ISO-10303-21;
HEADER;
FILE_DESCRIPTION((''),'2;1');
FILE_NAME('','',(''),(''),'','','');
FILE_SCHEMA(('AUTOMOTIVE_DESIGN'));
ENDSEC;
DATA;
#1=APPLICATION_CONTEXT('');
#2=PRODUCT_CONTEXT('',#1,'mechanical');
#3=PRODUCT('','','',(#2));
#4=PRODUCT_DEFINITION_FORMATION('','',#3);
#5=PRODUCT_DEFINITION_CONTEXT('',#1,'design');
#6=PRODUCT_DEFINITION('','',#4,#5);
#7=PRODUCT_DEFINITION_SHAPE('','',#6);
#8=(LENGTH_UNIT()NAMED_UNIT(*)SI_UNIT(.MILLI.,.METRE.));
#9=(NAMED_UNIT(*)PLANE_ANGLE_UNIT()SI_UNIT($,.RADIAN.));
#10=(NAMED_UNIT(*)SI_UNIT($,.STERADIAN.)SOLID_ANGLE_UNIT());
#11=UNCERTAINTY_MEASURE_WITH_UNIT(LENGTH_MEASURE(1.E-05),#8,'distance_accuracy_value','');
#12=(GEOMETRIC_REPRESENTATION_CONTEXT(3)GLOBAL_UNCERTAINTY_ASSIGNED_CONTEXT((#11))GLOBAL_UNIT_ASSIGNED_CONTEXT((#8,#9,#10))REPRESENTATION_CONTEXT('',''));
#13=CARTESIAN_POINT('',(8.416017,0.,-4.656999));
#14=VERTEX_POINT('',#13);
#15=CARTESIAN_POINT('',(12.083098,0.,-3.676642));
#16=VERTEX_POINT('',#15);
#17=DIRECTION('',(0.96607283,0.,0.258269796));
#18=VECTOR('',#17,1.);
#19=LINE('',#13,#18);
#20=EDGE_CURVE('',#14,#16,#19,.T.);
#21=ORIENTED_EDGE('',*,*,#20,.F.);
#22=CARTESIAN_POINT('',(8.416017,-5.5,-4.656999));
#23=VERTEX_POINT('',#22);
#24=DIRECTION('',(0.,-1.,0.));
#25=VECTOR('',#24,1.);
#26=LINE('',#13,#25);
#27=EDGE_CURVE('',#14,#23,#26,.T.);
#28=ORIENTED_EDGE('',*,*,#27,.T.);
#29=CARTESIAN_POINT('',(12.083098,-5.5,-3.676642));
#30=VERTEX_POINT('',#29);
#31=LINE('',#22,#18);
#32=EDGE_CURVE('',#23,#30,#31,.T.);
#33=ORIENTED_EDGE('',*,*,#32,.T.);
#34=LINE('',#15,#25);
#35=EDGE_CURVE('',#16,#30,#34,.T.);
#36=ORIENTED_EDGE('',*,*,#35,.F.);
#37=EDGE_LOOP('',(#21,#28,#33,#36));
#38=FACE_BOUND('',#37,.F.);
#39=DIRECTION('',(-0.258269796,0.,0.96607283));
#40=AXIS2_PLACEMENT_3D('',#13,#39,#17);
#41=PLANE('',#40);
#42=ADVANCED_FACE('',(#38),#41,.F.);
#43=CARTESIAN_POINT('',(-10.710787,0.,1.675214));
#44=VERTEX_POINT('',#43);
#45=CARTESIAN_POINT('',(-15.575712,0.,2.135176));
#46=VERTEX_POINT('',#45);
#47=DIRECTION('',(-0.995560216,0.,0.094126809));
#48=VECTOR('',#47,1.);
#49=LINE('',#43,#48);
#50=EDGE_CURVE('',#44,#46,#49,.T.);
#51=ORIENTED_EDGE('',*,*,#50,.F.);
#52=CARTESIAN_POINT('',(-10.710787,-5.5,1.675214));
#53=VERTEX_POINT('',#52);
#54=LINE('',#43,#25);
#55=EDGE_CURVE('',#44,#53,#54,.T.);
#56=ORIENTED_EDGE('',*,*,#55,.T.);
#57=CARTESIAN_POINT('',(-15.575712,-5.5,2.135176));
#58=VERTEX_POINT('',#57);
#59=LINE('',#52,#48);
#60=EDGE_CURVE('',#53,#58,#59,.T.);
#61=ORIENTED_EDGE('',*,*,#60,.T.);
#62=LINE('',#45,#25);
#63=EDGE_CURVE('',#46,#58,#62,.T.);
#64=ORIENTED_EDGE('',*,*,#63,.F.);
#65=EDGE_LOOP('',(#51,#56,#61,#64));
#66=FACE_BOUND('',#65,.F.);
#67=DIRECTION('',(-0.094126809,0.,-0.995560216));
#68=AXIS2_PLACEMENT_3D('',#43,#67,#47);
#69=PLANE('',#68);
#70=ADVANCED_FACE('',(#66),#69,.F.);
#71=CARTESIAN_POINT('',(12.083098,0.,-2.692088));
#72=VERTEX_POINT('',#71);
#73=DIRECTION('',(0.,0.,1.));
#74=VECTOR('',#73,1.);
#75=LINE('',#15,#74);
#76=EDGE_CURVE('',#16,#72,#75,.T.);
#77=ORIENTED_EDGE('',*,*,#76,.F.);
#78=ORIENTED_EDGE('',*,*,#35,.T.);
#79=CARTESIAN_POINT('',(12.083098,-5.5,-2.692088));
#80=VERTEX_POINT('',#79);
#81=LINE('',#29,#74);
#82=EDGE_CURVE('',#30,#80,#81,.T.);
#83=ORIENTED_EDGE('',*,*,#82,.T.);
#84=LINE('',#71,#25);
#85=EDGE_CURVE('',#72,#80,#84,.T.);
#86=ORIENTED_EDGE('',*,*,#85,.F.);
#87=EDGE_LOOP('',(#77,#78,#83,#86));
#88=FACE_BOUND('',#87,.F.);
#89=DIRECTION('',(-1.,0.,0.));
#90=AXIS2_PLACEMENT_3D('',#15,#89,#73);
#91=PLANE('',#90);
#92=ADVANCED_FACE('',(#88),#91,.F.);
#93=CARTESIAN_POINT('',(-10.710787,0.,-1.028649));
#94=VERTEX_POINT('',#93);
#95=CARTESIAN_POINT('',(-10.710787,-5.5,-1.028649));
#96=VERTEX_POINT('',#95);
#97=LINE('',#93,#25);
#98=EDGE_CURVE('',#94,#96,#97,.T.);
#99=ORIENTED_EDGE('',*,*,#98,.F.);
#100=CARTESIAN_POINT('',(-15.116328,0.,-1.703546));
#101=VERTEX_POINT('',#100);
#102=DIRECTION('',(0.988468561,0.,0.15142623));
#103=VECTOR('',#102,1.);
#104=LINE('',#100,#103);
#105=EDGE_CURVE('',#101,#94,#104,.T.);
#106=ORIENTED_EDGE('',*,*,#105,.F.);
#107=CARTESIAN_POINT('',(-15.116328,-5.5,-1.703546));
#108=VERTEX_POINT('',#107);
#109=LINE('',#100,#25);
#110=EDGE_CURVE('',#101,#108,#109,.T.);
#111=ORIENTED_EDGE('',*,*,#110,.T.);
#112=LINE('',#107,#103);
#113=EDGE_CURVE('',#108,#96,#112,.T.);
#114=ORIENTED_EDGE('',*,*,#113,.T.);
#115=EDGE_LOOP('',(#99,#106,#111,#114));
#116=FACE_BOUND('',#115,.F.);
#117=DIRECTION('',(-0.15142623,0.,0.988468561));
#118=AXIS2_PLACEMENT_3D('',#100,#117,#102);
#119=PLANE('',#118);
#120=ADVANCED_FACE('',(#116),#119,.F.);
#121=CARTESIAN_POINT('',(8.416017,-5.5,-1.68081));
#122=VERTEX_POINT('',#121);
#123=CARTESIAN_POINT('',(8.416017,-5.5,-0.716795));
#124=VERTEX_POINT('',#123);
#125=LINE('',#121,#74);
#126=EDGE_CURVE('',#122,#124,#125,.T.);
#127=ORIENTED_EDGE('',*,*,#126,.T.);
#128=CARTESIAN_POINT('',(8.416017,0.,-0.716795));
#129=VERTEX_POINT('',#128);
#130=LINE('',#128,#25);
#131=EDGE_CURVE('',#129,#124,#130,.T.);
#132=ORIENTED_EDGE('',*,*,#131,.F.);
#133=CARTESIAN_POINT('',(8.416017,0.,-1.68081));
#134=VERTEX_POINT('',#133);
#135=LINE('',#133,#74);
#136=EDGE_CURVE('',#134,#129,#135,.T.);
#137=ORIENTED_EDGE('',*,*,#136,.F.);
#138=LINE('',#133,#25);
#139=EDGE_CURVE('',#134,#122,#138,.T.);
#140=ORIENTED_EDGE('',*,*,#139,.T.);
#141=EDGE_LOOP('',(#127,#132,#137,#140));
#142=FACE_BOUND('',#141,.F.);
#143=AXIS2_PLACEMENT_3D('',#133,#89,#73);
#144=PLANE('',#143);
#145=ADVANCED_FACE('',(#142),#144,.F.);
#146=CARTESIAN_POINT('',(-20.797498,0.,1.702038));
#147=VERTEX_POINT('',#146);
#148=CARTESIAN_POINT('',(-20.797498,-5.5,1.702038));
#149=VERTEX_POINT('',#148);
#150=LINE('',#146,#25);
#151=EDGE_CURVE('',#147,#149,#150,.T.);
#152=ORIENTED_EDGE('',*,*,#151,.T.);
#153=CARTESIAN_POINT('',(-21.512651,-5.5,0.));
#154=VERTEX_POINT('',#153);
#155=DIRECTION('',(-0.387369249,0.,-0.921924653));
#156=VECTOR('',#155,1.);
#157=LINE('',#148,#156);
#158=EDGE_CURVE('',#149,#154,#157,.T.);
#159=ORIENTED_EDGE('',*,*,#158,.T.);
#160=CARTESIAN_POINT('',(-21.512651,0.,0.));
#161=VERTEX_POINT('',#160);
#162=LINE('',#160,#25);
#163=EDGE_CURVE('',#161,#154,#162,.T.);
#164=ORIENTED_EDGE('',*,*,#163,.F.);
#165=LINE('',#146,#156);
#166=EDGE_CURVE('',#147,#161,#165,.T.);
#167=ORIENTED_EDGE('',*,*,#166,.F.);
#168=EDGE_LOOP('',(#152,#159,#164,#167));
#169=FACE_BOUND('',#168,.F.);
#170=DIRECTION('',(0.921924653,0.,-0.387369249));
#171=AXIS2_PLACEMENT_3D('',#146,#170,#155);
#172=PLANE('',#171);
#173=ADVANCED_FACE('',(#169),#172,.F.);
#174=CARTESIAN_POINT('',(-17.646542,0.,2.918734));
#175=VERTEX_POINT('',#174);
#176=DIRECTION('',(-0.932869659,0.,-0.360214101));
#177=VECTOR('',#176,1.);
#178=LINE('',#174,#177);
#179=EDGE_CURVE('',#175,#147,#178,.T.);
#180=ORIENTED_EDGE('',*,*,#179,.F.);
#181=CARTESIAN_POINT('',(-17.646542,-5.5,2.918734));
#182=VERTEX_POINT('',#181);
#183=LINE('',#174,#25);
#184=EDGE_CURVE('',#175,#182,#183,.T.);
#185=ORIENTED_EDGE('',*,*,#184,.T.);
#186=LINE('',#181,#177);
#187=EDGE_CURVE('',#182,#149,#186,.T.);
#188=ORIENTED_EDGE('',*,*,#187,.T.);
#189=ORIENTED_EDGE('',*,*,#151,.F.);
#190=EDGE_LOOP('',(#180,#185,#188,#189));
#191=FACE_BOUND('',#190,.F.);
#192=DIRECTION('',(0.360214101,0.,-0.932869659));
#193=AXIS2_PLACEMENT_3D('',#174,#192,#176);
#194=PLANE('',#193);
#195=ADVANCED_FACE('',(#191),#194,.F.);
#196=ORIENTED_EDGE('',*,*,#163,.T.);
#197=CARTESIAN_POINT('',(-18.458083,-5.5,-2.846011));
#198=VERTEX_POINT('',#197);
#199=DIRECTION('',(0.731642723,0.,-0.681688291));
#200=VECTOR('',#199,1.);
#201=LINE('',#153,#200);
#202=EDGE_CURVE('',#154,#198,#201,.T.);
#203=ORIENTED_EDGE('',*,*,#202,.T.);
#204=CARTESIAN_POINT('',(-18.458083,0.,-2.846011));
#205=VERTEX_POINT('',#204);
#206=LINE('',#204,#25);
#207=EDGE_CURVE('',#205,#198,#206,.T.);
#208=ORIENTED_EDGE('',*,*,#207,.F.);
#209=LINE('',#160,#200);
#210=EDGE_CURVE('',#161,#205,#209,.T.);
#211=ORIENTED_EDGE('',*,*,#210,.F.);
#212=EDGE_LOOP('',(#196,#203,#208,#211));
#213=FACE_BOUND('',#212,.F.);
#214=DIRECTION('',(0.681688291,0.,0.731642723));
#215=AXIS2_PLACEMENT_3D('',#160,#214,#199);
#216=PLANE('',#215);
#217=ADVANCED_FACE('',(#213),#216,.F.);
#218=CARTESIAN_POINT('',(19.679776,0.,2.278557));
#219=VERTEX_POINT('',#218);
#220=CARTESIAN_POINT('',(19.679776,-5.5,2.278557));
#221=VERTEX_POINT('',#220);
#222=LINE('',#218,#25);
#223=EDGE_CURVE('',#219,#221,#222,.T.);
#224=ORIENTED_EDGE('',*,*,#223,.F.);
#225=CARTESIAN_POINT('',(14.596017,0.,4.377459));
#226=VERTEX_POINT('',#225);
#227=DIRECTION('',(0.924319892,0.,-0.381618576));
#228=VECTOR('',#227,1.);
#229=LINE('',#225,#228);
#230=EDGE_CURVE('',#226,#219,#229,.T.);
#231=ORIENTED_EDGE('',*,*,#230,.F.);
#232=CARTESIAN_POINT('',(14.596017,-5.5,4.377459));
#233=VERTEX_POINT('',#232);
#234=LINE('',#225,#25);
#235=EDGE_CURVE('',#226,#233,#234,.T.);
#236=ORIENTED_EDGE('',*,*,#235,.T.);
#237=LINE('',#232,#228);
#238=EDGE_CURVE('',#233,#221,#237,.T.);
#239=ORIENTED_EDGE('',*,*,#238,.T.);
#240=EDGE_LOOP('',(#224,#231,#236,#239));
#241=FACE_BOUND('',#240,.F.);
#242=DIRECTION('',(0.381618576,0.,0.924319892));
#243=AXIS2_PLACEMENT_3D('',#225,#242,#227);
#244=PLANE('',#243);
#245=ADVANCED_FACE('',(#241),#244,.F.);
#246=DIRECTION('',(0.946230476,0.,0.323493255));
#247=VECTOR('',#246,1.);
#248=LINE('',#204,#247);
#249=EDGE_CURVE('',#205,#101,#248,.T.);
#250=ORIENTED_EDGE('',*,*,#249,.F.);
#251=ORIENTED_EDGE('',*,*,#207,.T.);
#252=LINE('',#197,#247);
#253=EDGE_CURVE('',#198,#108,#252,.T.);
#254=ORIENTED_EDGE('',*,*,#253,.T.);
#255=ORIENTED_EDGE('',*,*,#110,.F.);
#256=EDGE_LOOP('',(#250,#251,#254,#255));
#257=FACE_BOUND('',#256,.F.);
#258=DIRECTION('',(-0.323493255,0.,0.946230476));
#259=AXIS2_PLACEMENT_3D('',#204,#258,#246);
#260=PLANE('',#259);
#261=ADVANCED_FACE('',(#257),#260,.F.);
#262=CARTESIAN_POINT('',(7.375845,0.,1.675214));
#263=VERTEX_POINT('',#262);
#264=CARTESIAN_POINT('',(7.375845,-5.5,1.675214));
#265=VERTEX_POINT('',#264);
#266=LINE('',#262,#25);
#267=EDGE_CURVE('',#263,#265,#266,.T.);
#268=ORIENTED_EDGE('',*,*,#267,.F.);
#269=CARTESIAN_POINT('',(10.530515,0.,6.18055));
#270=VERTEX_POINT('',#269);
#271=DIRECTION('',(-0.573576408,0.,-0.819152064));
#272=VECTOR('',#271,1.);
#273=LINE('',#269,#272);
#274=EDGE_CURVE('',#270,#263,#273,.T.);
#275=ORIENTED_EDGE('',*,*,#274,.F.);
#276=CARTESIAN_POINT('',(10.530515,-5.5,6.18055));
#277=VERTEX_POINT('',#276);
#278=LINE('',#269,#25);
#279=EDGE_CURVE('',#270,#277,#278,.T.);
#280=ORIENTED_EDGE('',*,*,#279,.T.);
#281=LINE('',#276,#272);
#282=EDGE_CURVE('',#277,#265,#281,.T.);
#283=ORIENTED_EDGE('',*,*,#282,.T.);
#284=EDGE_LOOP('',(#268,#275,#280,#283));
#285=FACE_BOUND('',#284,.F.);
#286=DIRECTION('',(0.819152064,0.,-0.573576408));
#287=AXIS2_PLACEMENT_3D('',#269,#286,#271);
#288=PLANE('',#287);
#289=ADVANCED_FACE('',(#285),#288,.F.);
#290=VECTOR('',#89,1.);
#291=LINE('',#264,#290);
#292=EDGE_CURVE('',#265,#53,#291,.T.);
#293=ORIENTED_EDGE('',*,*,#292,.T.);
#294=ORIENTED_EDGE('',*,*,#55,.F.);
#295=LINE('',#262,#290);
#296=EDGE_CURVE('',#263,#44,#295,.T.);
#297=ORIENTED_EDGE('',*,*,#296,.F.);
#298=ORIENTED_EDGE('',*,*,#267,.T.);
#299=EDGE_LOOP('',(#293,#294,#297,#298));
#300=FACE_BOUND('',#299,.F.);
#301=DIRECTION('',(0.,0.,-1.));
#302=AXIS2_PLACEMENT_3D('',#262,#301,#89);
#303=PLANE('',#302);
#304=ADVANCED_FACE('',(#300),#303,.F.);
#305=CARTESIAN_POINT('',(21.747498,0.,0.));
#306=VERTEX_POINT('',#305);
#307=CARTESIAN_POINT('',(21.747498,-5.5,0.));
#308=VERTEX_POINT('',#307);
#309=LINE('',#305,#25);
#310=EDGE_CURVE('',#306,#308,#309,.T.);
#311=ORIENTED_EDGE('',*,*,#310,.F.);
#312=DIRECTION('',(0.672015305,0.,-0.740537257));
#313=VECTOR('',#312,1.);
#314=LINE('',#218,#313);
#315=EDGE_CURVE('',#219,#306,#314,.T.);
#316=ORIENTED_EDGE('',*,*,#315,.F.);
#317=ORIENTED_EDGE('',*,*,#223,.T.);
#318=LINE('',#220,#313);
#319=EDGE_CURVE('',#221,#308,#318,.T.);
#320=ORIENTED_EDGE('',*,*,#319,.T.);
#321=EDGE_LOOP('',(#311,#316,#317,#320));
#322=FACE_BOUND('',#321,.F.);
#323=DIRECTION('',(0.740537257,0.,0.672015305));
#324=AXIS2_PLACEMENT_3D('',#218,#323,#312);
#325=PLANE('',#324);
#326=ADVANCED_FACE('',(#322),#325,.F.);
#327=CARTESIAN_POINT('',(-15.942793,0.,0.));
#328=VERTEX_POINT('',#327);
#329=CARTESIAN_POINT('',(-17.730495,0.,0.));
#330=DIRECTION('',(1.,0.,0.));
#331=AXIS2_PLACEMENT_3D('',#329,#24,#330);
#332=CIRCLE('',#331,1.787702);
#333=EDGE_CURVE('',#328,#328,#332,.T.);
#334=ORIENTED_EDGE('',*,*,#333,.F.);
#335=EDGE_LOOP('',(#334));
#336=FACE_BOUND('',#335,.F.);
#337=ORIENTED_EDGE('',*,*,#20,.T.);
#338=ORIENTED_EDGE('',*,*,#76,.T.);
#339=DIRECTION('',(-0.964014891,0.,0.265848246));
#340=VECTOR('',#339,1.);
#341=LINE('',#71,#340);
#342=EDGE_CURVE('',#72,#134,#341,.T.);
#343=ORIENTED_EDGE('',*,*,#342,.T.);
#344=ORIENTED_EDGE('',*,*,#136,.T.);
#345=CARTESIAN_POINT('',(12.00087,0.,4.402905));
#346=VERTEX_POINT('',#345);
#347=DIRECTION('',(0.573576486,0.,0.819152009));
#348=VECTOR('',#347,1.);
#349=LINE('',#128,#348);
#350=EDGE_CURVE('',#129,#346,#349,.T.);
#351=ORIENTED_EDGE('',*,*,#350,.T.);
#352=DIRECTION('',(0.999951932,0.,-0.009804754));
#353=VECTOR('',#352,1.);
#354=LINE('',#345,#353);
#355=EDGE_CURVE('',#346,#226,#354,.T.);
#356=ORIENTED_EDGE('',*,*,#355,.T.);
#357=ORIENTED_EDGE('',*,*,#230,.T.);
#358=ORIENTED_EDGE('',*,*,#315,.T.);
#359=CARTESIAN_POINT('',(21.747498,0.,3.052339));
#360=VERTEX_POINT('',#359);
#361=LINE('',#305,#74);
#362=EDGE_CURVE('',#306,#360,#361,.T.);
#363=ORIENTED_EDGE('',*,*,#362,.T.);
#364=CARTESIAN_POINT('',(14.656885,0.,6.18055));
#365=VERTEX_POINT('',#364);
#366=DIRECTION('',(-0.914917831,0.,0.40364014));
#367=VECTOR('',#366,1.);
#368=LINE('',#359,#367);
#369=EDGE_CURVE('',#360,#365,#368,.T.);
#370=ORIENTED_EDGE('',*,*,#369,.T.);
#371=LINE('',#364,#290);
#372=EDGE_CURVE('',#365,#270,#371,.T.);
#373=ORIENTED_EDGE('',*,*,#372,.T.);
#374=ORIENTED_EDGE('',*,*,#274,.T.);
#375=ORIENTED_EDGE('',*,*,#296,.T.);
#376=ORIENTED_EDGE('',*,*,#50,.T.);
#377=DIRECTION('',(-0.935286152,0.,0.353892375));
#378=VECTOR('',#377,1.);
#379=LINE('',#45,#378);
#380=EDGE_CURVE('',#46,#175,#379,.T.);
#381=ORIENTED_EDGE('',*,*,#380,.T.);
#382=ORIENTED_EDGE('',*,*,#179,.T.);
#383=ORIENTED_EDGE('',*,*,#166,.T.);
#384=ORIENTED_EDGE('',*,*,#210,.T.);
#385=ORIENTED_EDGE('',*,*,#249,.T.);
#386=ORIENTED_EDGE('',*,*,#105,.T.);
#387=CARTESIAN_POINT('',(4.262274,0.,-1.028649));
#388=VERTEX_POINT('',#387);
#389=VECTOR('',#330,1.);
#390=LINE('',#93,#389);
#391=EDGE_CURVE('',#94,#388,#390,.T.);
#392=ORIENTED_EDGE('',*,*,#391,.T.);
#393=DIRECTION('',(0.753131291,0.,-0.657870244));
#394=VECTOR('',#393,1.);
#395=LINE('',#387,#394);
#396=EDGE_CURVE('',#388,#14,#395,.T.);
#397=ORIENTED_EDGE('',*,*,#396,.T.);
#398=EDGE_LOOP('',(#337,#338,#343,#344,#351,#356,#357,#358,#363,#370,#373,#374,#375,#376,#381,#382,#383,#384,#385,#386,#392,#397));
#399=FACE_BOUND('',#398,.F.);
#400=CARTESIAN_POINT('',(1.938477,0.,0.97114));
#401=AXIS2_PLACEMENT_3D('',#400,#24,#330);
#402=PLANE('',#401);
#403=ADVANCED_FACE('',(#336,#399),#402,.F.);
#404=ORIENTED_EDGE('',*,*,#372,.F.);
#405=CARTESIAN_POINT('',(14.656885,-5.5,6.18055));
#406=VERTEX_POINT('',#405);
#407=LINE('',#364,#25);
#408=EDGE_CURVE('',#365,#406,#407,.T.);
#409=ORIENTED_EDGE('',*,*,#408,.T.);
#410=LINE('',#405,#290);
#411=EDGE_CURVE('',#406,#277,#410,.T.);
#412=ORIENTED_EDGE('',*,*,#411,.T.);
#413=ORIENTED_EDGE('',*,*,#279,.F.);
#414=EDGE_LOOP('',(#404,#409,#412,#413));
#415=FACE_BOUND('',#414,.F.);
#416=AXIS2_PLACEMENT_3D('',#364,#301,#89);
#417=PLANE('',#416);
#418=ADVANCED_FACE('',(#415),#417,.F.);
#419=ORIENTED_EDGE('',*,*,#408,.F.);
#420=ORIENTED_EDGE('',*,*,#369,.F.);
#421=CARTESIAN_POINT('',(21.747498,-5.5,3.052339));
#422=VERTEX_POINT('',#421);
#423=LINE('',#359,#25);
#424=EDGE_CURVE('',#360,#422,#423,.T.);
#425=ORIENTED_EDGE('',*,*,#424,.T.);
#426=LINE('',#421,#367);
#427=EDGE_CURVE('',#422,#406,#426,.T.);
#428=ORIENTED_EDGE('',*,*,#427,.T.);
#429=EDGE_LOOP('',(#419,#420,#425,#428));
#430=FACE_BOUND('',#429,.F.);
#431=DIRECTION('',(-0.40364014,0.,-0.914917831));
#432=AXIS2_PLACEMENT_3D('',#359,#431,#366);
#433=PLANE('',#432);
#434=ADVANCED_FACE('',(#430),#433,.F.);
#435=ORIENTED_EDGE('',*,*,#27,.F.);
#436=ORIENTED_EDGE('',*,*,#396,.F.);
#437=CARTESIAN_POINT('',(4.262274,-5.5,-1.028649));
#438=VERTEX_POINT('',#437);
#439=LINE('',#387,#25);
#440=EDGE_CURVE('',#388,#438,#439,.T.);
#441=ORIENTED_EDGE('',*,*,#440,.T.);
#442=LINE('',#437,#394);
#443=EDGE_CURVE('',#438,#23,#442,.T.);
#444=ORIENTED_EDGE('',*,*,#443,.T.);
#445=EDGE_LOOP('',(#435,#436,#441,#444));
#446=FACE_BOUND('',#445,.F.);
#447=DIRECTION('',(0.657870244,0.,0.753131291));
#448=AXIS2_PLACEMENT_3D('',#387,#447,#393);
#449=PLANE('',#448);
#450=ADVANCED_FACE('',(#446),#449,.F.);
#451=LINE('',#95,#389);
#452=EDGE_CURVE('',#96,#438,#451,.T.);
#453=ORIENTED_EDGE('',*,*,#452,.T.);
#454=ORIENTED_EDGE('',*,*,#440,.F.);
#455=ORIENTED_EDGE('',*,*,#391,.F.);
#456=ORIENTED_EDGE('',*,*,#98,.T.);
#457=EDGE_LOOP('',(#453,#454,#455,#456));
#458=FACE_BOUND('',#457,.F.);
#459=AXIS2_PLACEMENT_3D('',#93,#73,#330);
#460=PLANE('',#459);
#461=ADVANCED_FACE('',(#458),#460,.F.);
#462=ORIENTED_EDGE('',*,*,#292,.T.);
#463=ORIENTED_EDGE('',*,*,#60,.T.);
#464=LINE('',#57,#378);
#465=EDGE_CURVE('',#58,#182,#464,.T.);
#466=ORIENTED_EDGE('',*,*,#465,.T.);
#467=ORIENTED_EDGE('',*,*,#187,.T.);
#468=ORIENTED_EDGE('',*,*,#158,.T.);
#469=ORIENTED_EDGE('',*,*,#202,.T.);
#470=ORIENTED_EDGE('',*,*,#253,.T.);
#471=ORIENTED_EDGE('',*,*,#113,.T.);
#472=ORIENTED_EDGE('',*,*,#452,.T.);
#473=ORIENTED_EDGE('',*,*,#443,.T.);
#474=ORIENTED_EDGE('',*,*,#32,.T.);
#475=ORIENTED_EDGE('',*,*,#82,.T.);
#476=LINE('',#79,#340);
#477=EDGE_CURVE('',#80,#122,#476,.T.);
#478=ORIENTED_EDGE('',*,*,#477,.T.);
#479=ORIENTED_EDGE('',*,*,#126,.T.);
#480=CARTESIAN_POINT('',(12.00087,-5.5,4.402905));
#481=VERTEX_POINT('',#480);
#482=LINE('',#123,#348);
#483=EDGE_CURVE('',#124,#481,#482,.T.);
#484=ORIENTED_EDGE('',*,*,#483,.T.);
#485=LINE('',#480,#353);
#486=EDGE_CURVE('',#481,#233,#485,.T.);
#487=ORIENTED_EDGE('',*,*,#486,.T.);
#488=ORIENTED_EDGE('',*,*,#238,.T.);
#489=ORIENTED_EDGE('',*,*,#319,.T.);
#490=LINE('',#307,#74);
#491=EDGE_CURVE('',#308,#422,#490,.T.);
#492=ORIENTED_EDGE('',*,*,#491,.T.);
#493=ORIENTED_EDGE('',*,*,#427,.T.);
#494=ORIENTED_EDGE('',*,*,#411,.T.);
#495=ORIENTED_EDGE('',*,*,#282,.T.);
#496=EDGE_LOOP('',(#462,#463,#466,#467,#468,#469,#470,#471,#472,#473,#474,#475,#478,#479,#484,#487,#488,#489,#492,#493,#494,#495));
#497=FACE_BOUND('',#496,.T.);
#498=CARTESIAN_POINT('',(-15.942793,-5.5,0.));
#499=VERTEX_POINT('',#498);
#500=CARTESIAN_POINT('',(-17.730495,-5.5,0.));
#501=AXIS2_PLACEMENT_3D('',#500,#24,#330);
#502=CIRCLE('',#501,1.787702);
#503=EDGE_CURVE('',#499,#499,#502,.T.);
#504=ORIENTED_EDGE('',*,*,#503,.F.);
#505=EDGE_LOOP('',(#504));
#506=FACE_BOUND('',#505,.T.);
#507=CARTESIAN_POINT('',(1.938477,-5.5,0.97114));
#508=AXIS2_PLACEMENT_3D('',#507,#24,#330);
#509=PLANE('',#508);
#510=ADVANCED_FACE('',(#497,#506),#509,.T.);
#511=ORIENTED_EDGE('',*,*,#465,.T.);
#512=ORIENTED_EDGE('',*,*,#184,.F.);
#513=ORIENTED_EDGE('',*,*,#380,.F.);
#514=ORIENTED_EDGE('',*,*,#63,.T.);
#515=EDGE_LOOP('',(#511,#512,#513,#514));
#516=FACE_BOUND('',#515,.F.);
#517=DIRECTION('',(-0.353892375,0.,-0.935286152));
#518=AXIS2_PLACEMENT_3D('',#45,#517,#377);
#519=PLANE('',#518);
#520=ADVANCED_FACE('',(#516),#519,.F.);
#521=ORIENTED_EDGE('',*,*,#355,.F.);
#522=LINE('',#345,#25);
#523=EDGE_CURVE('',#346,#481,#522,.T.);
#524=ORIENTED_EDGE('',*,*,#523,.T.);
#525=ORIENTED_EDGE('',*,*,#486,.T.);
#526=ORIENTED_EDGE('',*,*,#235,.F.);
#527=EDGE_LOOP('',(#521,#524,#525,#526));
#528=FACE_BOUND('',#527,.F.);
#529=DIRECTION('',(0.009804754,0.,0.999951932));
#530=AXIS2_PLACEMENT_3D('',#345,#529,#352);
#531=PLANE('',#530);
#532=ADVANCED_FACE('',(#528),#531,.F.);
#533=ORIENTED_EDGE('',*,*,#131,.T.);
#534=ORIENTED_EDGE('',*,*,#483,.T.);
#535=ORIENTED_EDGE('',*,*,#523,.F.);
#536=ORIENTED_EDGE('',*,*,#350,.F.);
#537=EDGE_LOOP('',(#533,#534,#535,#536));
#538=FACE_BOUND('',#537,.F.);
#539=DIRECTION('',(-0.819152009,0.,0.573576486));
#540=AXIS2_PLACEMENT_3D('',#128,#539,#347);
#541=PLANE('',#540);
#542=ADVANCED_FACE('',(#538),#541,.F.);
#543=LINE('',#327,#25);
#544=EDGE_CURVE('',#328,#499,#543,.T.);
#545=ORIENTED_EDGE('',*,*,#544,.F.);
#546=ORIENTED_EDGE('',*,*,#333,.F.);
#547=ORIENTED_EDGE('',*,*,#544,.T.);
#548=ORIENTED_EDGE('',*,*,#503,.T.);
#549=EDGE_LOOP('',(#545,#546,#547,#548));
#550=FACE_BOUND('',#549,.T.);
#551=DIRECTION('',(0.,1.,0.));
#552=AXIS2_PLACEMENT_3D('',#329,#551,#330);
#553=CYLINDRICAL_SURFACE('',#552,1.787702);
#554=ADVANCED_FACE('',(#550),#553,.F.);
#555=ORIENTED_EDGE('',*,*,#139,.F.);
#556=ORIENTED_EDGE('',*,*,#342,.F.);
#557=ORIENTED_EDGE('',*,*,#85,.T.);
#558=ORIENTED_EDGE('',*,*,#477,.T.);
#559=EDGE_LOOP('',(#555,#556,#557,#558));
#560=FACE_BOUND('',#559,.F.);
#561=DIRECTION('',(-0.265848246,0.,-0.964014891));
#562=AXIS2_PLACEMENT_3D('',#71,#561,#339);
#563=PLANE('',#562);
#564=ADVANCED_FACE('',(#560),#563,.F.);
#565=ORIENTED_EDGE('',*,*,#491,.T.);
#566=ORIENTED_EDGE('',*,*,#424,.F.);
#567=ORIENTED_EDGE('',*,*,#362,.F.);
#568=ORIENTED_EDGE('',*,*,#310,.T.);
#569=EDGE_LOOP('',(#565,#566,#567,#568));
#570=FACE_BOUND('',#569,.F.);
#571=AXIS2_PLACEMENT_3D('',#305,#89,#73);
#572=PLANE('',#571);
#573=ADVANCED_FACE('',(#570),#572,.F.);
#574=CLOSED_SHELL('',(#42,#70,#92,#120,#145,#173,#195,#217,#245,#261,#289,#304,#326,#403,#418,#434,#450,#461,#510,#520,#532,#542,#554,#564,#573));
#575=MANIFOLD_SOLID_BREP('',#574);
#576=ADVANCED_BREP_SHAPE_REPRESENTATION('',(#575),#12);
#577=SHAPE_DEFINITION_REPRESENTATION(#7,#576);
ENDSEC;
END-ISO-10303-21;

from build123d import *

# Parameters (mm, degrees)
F0_R     = 1.787702
F1_DEPTH = 5.5


with BuildPart() as f1:
    # F0 (on Front) → F1 (new body)
    with BuildSketch(Plane.XZ):
        Polygon((19.679776, 2.278557), (21.747498, 0), (21.747498, 3.052339), (14.656885, 6.18055), (10.530515, 6.18055), (7.375845, 1.675214), (-10.710787, 1.675214), (-15.575712, 2.135176), (-17.646542, 2.918734), (-20.797498, 1.702038), (-21.512651, 0), (-18.458083, -2.846011), (-15.116328, -1.703546), (-10.710787, -1.028649), (4.262274, -1.028649), (8.416017, -4.656999), (12.083098, -3.676642), (12.083098, -2.692088), (8.416017, -1.68081), (8.416017, -0.716795), (12.00087, 4.402905), (14.596017, 4.377459), align=None)
        with Locations((-17.730495, 0)):
            Circle(F0_R, mode=Mode.SUBTRACT)
    extrude(amount=F1_DEPTH)


solid = f1.part
